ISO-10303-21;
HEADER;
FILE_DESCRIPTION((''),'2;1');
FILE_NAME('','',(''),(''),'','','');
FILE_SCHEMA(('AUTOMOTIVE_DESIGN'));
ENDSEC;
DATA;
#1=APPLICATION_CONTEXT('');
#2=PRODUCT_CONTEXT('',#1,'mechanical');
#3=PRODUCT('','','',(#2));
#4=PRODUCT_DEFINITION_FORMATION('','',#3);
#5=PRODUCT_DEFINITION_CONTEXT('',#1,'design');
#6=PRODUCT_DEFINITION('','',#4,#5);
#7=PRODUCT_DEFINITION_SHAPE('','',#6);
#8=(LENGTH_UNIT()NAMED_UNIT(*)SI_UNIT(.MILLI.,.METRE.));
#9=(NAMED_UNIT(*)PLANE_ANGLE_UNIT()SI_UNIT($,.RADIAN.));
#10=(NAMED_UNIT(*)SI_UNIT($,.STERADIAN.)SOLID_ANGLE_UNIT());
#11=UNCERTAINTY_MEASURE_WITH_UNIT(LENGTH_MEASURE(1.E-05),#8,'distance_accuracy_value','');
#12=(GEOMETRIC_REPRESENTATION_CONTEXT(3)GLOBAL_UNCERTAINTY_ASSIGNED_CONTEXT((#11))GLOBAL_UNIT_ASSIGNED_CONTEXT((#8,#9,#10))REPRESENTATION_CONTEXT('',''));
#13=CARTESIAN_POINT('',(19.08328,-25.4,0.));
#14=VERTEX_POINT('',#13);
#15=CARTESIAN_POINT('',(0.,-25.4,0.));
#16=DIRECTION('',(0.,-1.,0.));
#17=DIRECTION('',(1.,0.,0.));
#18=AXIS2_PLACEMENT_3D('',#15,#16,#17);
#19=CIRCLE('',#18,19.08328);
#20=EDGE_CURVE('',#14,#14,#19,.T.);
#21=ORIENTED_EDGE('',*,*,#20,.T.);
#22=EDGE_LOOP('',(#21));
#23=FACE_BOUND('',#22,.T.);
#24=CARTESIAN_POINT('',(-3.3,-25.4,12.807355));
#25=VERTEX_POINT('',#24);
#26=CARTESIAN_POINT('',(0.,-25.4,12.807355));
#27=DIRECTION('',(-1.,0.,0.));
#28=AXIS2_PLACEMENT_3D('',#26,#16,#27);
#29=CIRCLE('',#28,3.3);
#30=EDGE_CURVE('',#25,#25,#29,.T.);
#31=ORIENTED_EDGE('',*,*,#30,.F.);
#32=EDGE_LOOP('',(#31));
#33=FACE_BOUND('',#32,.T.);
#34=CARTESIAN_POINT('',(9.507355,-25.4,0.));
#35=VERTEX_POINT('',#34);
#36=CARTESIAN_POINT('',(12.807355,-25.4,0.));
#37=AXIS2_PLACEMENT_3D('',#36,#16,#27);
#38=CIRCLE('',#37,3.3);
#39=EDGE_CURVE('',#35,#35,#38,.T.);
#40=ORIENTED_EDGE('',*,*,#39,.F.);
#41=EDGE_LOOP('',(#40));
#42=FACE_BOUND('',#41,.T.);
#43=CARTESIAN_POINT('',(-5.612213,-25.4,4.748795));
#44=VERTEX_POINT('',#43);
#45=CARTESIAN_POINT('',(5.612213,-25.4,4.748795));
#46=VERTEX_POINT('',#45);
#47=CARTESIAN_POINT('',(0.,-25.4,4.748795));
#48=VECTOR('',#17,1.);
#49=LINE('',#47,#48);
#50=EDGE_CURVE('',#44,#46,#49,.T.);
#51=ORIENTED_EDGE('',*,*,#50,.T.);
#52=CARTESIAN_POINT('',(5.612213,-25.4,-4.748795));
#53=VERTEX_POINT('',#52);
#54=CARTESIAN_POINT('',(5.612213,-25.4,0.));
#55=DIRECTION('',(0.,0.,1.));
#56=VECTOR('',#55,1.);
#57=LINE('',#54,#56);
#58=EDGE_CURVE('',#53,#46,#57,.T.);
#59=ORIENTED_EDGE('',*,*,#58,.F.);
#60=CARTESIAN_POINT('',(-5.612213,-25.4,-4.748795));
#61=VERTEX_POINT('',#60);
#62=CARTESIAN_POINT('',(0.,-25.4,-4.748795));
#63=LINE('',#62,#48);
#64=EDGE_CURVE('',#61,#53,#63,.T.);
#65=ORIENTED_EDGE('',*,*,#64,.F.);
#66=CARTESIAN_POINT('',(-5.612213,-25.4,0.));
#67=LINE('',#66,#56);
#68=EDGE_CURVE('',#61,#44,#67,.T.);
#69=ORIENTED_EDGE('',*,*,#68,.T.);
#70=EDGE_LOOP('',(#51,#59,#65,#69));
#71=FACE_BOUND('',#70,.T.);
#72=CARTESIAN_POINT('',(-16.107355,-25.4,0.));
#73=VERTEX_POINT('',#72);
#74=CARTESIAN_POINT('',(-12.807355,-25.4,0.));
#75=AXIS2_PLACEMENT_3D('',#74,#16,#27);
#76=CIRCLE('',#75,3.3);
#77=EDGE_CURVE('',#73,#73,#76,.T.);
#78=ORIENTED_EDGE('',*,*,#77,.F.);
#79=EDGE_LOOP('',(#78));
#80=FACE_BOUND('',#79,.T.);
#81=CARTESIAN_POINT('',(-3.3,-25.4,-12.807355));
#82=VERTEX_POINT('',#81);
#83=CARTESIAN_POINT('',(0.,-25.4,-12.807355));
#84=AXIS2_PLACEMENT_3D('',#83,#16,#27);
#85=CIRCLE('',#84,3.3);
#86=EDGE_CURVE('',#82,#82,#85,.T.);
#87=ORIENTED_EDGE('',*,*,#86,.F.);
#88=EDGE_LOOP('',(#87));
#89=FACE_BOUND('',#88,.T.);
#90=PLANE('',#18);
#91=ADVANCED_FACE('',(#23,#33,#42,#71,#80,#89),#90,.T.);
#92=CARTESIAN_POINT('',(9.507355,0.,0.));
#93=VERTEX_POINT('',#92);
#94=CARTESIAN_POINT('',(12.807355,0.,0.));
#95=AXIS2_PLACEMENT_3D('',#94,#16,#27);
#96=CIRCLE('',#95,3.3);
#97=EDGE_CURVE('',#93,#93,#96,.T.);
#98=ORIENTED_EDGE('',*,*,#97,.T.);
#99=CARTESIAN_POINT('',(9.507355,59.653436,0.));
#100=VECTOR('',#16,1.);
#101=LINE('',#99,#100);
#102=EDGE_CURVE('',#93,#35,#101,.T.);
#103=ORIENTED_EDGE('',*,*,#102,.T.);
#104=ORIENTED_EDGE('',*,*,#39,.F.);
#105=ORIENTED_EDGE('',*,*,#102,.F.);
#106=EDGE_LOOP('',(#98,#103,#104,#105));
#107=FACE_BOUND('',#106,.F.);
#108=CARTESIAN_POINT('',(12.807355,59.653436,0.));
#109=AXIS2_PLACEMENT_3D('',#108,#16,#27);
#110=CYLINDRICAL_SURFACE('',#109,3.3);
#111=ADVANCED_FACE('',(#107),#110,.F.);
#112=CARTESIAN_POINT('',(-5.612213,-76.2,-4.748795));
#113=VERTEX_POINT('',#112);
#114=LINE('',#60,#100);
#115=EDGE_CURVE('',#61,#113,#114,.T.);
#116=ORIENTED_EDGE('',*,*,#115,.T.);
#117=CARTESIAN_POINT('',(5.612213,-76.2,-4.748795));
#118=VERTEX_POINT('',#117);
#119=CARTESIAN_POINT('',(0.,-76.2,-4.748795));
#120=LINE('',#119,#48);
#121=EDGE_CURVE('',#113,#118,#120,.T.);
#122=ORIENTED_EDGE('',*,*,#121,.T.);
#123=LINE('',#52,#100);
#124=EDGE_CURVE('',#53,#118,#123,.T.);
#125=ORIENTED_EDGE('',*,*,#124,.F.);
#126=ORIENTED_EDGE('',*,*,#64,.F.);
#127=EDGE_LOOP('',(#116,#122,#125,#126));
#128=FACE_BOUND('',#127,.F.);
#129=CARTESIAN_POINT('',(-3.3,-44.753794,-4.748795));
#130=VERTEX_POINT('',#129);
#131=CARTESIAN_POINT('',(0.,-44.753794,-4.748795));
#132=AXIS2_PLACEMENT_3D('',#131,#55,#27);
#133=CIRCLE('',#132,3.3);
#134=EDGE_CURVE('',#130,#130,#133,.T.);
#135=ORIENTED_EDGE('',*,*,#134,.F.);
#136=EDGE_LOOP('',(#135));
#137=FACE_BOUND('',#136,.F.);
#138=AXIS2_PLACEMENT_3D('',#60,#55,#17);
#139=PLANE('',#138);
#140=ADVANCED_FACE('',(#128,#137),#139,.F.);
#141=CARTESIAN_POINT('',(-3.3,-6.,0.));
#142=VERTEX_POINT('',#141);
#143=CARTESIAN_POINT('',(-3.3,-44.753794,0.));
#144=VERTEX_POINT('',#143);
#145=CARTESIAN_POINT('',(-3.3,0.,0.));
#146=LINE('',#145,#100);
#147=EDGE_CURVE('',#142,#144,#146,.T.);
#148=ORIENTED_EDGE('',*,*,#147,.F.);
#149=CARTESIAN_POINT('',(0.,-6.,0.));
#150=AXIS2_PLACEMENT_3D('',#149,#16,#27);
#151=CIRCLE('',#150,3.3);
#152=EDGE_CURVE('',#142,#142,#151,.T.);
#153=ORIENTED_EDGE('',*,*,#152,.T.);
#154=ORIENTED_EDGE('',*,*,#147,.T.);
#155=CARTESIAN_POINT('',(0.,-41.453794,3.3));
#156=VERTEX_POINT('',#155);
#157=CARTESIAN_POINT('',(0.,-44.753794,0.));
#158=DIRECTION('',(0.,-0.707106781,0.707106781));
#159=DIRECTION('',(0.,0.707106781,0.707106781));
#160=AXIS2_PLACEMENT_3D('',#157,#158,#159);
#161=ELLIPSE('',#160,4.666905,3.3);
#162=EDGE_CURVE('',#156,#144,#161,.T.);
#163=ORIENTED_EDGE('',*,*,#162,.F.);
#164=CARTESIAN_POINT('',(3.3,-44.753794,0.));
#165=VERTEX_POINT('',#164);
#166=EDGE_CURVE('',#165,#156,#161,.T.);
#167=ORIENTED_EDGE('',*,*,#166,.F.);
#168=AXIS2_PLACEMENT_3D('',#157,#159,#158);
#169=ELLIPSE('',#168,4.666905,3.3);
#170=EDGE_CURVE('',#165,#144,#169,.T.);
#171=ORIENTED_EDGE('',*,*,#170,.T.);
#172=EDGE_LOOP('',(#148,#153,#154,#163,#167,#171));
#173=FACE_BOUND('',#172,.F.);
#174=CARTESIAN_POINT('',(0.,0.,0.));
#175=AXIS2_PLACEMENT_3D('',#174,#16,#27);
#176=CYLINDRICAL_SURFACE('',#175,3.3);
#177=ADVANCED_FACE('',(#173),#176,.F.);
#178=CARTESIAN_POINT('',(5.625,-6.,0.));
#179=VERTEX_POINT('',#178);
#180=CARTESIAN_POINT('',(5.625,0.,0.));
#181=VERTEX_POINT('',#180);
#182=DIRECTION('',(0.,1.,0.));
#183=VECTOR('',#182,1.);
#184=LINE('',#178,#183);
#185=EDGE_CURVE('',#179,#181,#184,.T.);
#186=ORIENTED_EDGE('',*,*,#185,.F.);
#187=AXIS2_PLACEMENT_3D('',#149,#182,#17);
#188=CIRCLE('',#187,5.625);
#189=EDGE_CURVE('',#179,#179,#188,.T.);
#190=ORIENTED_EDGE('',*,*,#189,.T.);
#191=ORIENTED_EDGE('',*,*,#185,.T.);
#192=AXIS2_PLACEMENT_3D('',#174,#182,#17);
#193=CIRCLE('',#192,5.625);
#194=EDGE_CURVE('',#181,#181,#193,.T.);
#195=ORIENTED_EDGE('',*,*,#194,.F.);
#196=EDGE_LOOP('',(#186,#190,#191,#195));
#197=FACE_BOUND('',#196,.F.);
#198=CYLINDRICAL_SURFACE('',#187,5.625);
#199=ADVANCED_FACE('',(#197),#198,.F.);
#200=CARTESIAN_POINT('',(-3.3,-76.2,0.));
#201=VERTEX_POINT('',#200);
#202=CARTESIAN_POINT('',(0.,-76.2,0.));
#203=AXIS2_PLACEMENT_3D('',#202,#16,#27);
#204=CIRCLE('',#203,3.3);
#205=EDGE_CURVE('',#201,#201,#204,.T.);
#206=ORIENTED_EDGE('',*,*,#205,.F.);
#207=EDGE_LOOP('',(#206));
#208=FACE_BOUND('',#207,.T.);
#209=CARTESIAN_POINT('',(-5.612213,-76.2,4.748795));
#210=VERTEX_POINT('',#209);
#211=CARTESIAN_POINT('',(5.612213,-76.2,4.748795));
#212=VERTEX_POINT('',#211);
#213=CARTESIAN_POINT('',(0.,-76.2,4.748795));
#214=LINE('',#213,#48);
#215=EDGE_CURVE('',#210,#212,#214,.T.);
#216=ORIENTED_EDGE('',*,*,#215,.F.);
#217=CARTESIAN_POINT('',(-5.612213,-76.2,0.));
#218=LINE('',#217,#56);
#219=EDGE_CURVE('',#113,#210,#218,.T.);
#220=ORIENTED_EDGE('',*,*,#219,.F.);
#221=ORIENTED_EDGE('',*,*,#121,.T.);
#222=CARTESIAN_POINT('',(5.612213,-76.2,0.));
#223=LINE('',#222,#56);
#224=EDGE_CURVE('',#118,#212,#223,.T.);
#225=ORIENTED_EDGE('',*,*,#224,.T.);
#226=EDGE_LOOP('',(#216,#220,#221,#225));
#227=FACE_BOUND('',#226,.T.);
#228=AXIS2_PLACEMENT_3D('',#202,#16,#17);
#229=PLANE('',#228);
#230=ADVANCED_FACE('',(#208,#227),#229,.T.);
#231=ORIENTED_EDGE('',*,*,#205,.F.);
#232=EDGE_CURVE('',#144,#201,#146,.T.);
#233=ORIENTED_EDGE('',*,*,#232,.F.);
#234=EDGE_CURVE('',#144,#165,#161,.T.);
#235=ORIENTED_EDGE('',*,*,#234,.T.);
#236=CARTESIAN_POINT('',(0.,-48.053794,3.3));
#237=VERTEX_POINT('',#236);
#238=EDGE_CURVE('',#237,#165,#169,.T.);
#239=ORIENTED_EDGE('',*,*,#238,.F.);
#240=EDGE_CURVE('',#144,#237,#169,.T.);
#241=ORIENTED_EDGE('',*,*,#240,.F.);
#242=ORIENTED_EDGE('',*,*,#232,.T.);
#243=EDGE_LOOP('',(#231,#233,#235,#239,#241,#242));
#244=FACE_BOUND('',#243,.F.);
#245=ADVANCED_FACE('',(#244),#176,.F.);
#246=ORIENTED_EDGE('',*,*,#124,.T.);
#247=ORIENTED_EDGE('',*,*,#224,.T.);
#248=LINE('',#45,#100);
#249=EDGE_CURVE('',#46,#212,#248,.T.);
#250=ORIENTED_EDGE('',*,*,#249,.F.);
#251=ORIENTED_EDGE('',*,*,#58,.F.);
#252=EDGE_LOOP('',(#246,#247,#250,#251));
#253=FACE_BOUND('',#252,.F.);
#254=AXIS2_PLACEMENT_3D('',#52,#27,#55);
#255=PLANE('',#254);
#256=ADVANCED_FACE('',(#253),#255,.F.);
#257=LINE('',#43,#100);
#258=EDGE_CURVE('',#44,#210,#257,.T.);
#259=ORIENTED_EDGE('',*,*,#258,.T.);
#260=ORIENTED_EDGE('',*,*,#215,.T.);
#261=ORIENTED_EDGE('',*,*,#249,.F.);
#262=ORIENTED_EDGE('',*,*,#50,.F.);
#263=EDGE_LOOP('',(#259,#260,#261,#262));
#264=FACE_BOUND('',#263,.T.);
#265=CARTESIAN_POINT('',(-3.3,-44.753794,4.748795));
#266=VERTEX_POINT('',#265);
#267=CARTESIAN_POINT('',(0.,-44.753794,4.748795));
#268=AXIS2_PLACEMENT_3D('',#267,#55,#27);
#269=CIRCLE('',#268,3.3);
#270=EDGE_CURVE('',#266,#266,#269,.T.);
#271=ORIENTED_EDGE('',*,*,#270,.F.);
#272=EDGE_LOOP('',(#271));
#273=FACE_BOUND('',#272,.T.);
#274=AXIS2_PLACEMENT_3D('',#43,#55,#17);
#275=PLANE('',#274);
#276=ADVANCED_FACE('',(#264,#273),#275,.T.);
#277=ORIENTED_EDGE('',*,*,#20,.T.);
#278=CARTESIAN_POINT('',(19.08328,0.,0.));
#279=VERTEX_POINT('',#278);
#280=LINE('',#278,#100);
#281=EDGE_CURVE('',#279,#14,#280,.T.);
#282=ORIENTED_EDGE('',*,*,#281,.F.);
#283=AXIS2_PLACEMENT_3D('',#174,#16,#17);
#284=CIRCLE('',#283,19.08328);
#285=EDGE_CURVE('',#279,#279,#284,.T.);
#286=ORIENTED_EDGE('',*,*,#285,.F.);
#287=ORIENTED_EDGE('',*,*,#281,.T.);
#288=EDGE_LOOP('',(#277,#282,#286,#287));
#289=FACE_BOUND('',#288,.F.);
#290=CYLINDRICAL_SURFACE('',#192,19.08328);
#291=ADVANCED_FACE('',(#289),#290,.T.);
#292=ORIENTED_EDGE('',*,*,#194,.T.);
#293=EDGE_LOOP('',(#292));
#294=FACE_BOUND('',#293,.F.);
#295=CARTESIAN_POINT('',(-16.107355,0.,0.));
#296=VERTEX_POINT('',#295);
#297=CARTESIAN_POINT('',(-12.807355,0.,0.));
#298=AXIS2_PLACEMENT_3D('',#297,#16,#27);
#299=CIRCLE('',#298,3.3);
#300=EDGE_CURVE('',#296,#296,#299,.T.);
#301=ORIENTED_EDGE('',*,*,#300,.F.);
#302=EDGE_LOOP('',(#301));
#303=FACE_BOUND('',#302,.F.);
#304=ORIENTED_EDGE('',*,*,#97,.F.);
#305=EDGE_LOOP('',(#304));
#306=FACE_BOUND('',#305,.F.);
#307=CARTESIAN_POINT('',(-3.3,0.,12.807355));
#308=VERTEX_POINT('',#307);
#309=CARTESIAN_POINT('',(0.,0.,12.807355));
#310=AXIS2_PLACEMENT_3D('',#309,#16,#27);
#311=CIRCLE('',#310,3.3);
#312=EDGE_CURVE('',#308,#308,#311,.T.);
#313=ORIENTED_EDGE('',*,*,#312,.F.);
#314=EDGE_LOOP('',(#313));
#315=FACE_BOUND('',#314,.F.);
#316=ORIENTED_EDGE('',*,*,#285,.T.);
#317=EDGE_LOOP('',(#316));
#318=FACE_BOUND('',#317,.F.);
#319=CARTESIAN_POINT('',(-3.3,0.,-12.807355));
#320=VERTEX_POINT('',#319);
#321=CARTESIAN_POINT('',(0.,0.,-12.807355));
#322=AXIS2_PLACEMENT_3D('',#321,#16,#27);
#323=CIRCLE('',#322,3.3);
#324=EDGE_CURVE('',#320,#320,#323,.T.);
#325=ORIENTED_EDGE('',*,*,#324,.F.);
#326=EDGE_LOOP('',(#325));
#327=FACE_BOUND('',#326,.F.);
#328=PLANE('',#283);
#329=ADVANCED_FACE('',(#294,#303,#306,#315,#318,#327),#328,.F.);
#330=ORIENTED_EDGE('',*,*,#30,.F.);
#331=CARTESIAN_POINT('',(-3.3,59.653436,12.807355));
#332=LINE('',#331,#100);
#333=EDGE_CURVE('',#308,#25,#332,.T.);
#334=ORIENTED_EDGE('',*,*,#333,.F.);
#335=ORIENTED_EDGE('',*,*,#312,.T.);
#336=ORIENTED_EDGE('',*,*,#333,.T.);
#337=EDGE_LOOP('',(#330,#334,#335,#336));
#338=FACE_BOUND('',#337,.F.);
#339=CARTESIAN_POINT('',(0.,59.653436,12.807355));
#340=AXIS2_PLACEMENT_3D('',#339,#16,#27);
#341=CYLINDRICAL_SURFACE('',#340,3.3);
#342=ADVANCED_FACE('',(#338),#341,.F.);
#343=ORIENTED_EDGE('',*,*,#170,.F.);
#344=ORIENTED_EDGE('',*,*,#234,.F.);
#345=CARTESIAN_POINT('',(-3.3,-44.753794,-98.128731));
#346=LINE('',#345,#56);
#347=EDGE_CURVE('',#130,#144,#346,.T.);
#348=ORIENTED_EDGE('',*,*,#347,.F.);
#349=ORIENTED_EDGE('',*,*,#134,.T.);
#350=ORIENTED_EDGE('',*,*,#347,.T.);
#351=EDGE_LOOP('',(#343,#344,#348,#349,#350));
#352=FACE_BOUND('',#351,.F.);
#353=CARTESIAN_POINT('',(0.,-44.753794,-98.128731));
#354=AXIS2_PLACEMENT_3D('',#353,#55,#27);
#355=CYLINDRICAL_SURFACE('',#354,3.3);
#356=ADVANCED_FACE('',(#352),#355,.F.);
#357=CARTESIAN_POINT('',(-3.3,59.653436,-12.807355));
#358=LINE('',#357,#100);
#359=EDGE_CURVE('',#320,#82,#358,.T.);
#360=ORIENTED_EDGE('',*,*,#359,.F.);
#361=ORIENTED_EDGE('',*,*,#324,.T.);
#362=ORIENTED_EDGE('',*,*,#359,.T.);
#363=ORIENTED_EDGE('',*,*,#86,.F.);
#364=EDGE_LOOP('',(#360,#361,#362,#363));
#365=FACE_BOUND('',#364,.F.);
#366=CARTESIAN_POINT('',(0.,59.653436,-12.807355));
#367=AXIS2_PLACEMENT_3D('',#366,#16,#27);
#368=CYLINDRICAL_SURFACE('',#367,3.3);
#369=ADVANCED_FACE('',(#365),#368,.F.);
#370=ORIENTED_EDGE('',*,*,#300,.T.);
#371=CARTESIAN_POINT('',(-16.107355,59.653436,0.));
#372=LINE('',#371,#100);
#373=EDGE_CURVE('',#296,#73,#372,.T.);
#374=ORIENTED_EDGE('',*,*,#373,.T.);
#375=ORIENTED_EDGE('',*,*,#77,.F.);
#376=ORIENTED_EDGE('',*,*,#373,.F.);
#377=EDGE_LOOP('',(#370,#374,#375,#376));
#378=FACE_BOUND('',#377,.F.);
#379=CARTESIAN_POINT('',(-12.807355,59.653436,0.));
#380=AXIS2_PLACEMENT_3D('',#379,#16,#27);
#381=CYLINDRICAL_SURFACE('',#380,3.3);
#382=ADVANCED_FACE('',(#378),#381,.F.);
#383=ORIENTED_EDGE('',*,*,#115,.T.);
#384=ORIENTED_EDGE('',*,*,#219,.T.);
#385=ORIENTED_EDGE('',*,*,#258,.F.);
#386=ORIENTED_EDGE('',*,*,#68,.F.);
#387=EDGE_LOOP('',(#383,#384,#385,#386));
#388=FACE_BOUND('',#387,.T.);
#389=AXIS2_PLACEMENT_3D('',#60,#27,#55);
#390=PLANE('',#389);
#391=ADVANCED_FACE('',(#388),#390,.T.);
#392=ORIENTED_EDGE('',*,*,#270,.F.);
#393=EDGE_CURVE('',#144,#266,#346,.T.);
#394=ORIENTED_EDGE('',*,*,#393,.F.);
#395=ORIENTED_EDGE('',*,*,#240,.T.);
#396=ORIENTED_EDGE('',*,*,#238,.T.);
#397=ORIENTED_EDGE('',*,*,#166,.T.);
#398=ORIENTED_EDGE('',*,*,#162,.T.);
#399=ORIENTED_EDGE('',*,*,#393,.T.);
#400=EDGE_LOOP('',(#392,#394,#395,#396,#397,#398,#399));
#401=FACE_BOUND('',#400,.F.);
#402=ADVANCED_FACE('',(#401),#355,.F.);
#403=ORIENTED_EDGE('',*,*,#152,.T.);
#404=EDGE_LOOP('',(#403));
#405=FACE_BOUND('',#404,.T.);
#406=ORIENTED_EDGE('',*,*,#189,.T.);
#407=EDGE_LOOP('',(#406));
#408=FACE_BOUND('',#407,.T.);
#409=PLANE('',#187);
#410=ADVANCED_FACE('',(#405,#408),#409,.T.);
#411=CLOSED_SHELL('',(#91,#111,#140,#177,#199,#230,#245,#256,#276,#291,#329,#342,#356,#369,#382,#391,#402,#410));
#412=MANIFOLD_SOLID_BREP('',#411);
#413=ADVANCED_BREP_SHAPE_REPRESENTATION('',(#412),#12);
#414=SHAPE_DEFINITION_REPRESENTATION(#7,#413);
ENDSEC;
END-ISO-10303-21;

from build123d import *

# Parameters (mm, degrees)
F0_R           = 19.0832795918
F1_DEPTH       = 25.4
F2_D           = 6.6
F3_W           = 11.2244253978
F3_H           = 9.497590363
F4_DEPTH       = 50.8
F6_D           = 6.6
F7_D           = 6.6
F7_CBORE_D     = 11.25
F7_CBORE_DEPTH = 6


with BuildPart() as f1:
    # F0 (on Front) → F1 (new body)
    with BuildSketch(Plane.XZ):
        Circle(F0_R)
    extrude(amount=F1_DEPTH)

    # F2 (through all)
    with Locations(Plane(origin=(0, 0, 0), x_dir=(1, 0, 0), z_dir=(0, 1, 0))):
        with Locations((0, -12.8073552623), (12.8073552623, 0), (0, 12.8073552623), (-12.8073552623, 0)):
            Hole(F2_D / 2)

    # F3 (on face) → F4 (join)
    with BuildSketch(Plane.XZ.offset(25.4)):
        Rectangle(F3_W, F3_H)
    extrude(amount=F4_DEPTH)

    # F6 (through all)
    with Locations(Plane(origin=(0, 0, -4.7487951815), x_dir=(1, 0, 0), z_dir=(0, 0, -1))):
        with Locations((0, 44.753793627)):
            Hole(F6_D / 2)

    # F7 (through all)
    with Locations(Plane(origin=(0, 0, 0), x_dir=(1, 0, 0), z_dir=(0, 1, 0))):
        with Locations((0, 0)):
            CounterBoreHole(F7_D / 2, F7_CBORE_D / 2, F7_CBORE_DEPTH)


solid = f1.part
